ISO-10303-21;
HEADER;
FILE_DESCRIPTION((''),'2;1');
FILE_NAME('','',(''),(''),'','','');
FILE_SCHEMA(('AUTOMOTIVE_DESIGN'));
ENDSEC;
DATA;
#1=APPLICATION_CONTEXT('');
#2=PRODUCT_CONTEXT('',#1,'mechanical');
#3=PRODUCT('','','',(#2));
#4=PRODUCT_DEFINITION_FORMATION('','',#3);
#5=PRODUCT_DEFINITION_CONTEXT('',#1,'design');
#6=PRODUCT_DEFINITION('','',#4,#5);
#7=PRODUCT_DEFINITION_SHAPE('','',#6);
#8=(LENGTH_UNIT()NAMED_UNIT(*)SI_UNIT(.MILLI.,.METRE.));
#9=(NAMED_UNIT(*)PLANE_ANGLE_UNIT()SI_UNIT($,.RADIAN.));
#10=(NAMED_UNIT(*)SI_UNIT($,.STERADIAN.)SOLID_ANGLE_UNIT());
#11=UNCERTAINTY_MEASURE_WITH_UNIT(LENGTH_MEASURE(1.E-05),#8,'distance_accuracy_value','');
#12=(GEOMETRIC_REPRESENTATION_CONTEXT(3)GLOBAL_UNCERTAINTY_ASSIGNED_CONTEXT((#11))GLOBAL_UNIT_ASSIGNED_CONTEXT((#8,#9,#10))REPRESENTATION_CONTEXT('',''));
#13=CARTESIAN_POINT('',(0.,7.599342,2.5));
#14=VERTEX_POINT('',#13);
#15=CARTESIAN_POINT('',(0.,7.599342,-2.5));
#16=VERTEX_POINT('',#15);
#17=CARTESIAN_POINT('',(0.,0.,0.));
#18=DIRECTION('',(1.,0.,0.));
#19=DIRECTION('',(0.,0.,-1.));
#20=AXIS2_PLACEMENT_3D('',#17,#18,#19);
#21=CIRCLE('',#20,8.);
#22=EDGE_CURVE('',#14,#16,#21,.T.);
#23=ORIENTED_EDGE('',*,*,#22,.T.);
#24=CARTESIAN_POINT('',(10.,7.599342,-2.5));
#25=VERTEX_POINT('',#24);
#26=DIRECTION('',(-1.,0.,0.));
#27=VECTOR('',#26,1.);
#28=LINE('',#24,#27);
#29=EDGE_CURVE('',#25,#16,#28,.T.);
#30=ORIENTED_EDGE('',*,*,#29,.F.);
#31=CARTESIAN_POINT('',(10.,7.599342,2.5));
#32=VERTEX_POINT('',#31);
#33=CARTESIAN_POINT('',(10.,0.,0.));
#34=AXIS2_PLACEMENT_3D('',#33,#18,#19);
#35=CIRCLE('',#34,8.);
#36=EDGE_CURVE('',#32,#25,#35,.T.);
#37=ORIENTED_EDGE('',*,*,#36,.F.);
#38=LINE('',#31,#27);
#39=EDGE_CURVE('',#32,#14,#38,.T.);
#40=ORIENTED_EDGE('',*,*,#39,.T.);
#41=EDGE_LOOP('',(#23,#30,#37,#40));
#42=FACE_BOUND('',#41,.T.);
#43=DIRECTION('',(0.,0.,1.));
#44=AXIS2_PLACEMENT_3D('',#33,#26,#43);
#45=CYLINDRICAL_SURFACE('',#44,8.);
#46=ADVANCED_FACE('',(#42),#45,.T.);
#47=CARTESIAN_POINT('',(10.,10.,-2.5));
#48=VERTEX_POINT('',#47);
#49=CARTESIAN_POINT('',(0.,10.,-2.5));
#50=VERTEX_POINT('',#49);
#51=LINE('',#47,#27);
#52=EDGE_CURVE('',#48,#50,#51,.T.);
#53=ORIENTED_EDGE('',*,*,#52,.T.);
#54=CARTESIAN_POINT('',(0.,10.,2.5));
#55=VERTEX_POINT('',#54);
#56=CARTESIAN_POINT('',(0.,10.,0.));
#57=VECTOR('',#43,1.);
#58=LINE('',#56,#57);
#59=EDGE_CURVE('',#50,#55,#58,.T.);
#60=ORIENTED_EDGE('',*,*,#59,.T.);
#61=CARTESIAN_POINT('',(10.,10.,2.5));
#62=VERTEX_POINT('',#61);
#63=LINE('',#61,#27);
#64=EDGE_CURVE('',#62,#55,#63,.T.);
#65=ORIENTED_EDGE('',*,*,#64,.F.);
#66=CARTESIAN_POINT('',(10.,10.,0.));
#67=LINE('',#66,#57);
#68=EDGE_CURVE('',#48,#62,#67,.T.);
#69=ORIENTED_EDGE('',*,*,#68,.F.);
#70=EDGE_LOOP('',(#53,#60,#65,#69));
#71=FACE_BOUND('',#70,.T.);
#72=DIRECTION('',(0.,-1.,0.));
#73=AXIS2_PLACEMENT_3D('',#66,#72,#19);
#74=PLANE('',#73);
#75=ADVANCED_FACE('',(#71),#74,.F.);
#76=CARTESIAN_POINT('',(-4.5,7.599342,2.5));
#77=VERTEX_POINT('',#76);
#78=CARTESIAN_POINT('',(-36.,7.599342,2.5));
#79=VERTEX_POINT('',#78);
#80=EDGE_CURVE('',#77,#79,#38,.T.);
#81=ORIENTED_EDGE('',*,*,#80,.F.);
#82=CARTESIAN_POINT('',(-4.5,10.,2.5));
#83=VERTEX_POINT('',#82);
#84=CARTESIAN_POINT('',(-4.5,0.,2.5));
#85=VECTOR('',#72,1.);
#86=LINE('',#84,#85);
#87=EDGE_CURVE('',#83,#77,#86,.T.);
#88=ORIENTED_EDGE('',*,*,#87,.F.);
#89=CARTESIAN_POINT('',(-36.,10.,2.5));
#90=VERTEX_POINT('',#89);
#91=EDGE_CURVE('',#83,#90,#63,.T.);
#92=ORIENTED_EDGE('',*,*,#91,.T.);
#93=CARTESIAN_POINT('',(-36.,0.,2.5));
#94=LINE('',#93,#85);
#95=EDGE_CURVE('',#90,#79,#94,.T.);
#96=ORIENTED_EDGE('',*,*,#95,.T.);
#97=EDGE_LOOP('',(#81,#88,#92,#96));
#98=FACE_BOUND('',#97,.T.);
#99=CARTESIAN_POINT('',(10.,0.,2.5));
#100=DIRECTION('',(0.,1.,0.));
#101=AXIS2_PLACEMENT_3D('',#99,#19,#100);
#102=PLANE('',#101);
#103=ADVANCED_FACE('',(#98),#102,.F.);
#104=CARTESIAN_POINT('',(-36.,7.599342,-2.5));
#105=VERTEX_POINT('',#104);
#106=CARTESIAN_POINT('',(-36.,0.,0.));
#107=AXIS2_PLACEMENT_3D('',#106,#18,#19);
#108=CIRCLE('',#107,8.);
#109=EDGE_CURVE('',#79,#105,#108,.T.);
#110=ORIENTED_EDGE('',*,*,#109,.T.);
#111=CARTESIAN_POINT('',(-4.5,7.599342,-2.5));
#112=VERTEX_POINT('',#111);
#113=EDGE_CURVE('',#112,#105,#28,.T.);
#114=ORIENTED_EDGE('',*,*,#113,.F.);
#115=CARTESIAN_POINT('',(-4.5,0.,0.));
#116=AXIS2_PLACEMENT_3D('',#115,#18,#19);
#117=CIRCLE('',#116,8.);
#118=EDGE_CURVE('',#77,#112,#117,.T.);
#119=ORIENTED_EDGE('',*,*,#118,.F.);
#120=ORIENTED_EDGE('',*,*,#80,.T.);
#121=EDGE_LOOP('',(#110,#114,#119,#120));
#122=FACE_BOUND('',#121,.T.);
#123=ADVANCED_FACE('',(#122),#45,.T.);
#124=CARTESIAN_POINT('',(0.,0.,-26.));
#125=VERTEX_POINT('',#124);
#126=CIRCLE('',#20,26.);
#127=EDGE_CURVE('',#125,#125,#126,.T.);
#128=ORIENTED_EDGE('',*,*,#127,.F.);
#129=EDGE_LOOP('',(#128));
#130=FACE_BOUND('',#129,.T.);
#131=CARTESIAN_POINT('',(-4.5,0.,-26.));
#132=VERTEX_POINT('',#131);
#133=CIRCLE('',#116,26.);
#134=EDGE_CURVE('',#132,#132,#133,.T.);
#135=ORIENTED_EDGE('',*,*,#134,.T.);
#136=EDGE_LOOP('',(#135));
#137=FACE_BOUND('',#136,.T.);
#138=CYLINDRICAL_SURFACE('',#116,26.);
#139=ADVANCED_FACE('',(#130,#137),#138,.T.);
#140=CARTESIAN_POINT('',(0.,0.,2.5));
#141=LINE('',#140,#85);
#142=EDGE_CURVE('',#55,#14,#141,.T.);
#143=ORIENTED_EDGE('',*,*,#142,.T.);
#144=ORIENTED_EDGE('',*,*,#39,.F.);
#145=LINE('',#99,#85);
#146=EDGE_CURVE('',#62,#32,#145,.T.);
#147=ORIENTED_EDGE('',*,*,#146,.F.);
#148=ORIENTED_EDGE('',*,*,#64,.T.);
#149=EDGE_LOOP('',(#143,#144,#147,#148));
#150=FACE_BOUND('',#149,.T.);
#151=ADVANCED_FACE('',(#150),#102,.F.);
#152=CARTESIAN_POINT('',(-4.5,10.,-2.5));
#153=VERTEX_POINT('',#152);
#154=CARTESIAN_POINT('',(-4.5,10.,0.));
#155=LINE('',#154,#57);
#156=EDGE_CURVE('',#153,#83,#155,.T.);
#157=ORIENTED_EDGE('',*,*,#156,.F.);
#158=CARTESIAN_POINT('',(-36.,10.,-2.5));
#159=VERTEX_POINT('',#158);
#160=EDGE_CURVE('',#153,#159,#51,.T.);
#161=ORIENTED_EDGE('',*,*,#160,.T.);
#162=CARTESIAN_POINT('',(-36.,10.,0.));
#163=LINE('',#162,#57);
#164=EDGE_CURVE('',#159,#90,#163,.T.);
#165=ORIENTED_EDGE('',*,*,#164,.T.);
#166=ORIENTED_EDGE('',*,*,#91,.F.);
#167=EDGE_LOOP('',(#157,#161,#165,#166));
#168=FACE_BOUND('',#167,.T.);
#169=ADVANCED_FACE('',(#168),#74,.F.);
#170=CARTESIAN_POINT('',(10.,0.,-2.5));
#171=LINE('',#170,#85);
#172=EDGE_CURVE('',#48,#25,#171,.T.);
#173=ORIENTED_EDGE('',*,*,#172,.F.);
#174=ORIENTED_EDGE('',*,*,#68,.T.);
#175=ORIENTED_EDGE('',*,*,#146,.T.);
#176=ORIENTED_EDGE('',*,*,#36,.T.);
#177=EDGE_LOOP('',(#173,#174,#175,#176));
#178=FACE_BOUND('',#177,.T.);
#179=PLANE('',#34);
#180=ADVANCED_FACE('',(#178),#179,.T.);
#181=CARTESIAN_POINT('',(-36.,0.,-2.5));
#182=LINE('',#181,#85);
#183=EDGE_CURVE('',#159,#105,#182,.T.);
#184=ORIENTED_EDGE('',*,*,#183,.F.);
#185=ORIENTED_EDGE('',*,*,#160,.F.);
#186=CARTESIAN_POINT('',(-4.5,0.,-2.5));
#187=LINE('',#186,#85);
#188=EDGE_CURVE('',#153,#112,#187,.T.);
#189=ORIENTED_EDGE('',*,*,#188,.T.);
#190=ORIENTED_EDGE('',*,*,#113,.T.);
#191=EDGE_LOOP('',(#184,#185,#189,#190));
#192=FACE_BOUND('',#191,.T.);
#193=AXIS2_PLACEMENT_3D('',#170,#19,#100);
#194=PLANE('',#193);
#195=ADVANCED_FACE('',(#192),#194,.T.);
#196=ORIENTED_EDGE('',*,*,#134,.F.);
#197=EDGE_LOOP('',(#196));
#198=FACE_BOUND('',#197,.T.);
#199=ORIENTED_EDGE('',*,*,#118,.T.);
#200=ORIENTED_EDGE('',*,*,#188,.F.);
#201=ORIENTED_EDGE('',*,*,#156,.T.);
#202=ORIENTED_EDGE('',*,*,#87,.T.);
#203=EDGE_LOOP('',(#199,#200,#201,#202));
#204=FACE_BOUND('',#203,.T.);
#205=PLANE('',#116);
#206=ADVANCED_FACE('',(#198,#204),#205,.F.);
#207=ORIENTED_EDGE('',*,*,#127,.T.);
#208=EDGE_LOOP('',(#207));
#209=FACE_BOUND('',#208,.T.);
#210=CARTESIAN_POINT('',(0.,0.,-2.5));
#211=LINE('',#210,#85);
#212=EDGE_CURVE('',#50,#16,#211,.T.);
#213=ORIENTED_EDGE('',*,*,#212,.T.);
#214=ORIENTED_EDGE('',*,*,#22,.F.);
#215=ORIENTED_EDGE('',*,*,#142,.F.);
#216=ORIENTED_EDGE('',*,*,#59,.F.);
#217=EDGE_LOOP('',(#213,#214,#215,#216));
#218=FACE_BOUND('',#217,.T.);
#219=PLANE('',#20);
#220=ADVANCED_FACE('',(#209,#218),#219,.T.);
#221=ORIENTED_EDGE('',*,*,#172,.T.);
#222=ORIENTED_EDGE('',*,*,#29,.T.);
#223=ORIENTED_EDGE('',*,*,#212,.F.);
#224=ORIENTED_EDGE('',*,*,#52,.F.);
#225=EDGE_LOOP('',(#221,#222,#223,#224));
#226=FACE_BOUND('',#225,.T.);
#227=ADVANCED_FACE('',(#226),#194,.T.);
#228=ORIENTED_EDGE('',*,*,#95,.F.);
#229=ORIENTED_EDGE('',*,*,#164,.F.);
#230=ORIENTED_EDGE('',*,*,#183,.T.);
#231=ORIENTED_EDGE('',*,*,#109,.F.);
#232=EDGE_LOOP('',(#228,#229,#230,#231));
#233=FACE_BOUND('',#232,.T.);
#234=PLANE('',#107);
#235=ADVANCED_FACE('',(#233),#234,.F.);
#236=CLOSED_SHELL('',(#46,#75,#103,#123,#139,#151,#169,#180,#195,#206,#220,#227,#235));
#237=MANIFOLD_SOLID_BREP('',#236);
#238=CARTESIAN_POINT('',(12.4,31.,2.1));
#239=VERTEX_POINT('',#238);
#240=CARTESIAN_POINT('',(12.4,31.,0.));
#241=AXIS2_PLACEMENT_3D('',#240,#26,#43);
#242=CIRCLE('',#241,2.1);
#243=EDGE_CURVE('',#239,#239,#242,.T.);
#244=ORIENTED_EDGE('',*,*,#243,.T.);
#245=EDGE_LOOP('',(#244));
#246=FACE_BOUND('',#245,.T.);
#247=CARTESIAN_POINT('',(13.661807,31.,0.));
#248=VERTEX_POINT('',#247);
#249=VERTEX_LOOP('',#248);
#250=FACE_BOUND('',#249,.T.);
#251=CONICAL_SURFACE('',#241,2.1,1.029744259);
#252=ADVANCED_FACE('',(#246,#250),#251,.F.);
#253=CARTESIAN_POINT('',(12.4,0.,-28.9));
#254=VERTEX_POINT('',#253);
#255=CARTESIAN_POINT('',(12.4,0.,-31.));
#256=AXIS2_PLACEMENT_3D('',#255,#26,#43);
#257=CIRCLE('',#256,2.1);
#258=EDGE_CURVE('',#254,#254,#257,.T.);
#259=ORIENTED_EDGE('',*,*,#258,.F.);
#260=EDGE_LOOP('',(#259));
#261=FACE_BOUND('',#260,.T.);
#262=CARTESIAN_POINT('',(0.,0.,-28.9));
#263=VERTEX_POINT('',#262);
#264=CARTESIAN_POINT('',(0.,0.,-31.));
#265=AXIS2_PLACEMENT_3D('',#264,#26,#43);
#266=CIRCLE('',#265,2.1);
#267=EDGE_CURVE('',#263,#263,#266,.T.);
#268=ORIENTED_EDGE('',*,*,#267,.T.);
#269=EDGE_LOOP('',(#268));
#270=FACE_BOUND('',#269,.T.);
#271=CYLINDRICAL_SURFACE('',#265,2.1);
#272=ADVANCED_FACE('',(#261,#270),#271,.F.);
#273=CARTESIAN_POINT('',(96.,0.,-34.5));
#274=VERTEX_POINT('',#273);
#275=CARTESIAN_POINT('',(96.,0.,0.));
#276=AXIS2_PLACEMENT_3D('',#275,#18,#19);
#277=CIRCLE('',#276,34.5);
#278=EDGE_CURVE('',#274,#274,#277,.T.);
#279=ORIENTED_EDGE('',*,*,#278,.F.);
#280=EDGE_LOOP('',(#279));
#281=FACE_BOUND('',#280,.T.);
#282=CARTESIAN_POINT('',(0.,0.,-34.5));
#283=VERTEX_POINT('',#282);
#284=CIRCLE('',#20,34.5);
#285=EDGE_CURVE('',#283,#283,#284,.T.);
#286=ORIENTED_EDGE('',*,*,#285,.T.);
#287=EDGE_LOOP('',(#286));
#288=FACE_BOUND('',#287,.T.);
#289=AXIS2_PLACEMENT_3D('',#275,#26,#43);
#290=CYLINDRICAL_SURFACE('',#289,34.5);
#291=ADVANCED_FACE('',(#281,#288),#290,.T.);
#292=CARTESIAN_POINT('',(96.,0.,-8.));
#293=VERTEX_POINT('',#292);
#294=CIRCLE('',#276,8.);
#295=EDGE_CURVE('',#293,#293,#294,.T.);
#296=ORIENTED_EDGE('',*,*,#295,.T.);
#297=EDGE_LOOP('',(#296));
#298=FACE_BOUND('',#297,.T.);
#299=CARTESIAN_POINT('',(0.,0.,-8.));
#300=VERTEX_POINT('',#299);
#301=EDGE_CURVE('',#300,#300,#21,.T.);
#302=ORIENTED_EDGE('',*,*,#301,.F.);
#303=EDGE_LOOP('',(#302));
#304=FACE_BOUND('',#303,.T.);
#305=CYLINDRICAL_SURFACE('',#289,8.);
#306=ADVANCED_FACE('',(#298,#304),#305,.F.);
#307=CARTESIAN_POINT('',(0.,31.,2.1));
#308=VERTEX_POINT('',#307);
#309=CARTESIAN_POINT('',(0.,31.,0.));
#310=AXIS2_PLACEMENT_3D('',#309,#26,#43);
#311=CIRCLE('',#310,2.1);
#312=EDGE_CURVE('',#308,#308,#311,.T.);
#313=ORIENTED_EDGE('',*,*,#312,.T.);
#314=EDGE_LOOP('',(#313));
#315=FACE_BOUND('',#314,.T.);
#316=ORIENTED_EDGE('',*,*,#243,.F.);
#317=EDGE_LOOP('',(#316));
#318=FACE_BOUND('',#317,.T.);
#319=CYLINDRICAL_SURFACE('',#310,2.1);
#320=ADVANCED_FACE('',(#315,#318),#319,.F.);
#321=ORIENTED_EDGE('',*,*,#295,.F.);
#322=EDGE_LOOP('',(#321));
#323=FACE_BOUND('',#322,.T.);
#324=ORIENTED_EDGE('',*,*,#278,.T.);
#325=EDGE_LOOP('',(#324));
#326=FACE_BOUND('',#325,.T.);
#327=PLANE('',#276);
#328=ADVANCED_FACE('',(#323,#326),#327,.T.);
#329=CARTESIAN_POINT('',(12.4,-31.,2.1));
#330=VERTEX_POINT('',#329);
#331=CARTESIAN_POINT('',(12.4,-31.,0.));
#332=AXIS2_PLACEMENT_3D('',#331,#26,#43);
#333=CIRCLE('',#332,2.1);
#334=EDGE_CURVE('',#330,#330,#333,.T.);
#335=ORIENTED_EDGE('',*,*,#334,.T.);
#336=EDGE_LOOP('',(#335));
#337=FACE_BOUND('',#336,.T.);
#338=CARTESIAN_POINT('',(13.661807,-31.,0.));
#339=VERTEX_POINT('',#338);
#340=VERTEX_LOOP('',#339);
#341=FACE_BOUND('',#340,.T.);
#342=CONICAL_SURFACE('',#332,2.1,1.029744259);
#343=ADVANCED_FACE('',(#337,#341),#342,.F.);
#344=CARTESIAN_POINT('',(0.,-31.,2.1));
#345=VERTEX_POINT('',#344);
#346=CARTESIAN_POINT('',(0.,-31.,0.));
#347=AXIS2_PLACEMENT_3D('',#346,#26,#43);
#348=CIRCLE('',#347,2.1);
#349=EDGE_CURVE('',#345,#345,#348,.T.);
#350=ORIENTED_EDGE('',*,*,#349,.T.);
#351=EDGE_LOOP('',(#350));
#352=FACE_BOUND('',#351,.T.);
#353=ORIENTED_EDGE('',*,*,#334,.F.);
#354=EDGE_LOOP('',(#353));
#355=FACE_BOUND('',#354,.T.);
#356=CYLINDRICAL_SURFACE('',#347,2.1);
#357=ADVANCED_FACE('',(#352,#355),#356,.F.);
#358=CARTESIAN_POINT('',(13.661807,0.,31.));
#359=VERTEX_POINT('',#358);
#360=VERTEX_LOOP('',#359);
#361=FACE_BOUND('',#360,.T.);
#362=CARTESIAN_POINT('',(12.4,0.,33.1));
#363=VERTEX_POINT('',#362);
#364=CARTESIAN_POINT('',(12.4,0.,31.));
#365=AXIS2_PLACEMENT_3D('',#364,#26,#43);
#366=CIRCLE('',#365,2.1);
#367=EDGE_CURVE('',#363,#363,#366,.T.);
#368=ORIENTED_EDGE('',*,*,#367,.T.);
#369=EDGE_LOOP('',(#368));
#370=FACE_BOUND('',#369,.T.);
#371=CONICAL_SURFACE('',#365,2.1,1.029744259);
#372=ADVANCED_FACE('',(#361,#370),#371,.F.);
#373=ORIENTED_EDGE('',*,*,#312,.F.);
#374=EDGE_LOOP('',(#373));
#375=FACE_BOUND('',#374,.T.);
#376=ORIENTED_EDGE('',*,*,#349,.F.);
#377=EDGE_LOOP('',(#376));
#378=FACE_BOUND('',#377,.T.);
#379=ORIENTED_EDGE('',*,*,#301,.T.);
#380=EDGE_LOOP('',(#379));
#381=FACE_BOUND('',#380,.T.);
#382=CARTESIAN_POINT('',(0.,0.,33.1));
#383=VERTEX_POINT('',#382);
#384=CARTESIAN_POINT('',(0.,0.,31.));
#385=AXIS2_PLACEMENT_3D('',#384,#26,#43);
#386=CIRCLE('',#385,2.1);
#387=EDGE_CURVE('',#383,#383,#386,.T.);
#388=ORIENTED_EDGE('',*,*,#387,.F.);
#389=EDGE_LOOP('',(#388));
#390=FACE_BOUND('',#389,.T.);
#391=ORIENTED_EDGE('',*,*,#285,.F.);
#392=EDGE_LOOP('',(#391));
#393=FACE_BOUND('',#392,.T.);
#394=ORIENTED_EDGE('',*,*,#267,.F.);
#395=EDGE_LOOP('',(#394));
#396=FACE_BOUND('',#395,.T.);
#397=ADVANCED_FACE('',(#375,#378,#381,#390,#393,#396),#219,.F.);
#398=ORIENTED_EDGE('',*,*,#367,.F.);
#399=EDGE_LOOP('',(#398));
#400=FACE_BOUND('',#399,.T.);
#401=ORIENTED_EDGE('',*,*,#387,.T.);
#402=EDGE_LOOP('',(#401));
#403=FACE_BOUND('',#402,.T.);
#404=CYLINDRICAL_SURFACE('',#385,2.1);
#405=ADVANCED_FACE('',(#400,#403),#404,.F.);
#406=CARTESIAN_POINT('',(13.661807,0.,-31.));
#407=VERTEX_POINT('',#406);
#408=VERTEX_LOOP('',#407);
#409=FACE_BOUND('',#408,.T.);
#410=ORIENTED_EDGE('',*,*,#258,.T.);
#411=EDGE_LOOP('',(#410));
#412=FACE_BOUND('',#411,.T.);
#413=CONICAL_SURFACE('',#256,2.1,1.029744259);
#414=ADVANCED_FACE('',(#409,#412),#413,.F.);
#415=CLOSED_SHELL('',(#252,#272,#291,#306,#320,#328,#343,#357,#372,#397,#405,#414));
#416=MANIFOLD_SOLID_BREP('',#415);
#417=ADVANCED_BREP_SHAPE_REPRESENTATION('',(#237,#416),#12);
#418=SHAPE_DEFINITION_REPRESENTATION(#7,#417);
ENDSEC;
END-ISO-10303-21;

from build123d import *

# Parameters (mm, degrees)
BOSS_EXTRUDE1_DEPTH        = 10
BOSS_EXTRUDE1_DEPTH_BACK   = 36
BOSS_EXTRUDE2_START        = -4.5
SKETCH1_3_R                = 26
BOSS_EXTRUDE2_DEPTH        = 4.5
SKETCH1_4_R                = 34.5
SKETCH1_4_R_2              = 8
BOSS_EXTRUDE3_DEPTH        = 96
M5_TAPPED_HOLE1_AT_2_COUNT = 2
M5_TAPPED_HOLE1_AT_2_PITCH = 43.840620434
M5_TAPPED_HOLE1_AT_3_COUNT = 2
M5_TAPPED_HOLE1_AT_3_PITCH = 62
M5_TAPPED_HOLE1_AT_4_COUNT = 2
M5_TAPPED_HOLE1_AT_4_PITCH = 43.840620434


with BuildPart() as part:
    # Sketch1 → Boss-Extrude1 (new, two sides: drawn at the far end of the back side and taken through both)
    with BuildSketch(Plane(origin=(0, 0, 0), x_dir=(0, 0, -1), z_dir=(1, 0, 0)).offset(-BOSS_EXTRUDE1_DEPTH_BACK)):
        with BuildLine():
            Line((2.5, 7.599342077), (2.5, 10))
            Line((2.5, 10), (-2.5, 10))
            Line((-2.5, 10), (-2.5, 7.599342077))
            ThreePointArc((-2.5, 7.599342077), (0, -8), (2.5, 7.599342077))
        make_face()
    extrude(amount=BOSS_EXTRUDE1_DEPTH + BOSS_EXTRUDE1_DEPTH_BACK)

    # Sketch1<3> → Boss-Extrude2 (add)
    with BuildSketch(Plane(origin=(0, 0, 0), x_dir=(0, 0, -1), z_dir=(1, 0, 0)).offset(BOSS_EXTRUDE2_START)):
        Circle(SKETCH1_3_R)
        with BuildLine():
            Line((-2.5, 10), (2.5, 10))
            Line((2.5, 10), (2.5, 7.599342077))
            ThreePointArc((2.5, 7.599342077), (6.480740698, 4.69041576), (8, 0))
            ThreePointArc((8, 0), (-4.69041576, -6.480740698), (-2.5, 7.599342077))
            Line((-2.5, 7.599342077), (-2.5, 10))
        make_face(mode=Mode.SUBTRACT)
    extrude(amount=BOSS_EXTRUDE2_DEPTH)


with BuildPart() as body_2:
    # Sketch1<4> → Boss-Extrude3 (new body)
    with BuildSketch(Plane(origin=(0, 0, 0), x_dir=(0, 0, -1), z_dir=(1, 0, 0))):
        Circle(SKETCH1_4_R)
        Circle(SKETCH1_4_R_2, mode=Mode.SUBTRACT)
    extrude(amount=BOSS_EXTRUDE3_DEPTH)

    # Sketch3 → M5 Tapped Hole1 (revolve, cut)
    with BuildSketch(Plane.ZX.offset(31)):
        Polygon((0, 0), (0, 13.6618073), (2.1, 12.4), (2.1, 0), align=None)
    m5_tapped_hole1 = revolve(axis=Axis((-6.35, 31, 0), (1, 0, 0)), mode=Mode.SUBTRACT)

    # M5 Tapped Hole1 at 2: M5 Tapped Hole1 ×2
    with Locations(*[Vector(0, -0.7071067811865476, -0.7071067811865476) * (i * M5_TAPPED_HOLE1_AT_2_PITCH) for i in range(1, M5_TAPPED_HOLE1_AT_2_COUNT)]):
        add(m5_tapped_hole1, mode=Mode.SUBTRACT)

    # M5 Tapped Hole1 at 3: M5 Tapped Hole1 ×2
    with Locations(*[(0, -i * M5_TAPPED_HOLE1_AT_3_PITCH, 0) for i in range(1, M5_TAPPED_HOLE1_AT_3_COUNT)]):
        add(m5_tapped_hole1, mode=Mode.SUBTRACT)

    # M5 Tapped Hole1 at 4: M5 Tapped Hole1 ×2
    with Locations(*[Vector(0, -0.7071067811865476, 0.7071067811865476) * (i * M5_TAPPED_HOLE1_AT_4_PITCH) for i in range(1, M5_TAPPED_HOLE1_AT_4_COUNT)]):
        add(m5_tapped_hole1, mode=Mode.SUBTRACT)


solid = Compound([part.part, body_2.part])
